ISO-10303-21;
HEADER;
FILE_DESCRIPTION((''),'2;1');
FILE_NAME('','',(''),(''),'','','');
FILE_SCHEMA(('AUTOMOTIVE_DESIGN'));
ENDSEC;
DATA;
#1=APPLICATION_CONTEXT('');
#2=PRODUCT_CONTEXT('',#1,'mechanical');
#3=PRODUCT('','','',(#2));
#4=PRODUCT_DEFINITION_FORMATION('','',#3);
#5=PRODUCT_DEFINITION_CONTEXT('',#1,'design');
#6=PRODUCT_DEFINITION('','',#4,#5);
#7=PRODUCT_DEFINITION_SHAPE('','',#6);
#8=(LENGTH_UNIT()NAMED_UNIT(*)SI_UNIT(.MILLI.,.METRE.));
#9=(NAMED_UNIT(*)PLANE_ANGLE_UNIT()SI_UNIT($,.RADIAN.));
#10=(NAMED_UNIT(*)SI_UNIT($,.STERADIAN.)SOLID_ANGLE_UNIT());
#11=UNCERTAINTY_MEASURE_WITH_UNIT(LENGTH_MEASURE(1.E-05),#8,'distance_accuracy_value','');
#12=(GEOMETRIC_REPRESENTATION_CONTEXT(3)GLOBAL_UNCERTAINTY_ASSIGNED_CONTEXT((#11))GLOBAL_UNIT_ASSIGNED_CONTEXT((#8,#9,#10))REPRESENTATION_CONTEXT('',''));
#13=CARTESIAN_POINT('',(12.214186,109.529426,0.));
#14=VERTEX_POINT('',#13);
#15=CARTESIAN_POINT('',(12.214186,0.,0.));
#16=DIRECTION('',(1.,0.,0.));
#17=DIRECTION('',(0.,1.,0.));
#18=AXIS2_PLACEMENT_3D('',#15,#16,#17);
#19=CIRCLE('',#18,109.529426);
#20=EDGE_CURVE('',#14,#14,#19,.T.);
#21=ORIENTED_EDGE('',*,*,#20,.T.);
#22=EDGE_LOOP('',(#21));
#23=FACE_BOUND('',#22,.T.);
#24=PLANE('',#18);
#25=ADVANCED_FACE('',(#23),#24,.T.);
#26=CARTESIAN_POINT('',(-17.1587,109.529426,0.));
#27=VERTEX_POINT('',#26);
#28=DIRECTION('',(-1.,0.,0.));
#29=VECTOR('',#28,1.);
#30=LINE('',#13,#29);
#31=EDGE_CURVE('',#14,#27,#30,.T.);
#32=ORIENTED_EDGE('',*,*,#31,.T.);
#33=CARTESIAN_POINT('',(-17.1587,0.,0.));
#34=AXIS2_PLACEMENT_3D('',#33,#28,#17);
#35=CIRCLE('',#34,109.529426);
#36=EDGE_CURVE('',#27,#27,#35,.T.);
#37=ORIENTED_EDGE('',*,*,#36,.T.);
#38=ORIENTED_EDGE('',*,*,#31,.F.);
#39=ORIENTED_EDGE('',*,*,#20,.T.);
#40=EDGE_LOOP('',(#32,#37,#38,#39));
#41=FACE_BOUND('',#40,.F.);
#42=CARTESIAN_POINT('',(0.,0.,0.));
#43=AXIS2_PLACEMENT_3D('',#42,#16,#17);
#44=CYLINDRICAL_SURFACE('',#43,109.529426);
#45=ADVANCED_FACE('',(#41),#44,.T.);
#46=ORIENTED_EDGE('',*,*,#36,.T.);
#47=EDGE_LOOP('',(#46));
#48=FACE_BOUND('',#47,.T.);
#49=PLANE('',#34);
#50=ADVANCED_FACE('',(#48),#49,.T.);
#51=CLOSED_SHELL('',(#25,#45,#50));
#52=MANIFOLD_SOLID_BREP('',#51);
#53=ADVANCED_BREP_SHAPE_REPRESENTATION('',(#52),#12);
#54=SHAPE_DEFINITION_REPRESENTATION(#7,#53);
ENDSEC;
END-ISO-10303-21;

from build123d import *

# Parameters (mm, degrees)
F0_R      = 109.529426
F1_DEPTH  = 12.214186
F1_FACE_R = 109.529426
F2_DEPTH  = 17.1587


with BuildPart() as f1:
    # F0 (on Right) → F1 (new body)
    with BuildSketch(Plane.YZ):
        Circle(F0_R)
    extrude(amount=F1_DEPTH)

    # F1_face (on face) → F2 (join)
    with BuildSketch(Plane(origin=(0, 0, 0), x_dir=(0, 1, 0), z_dir=(-1, 0, 0))):
        Circle(F1_FACE_R)
    extrude(amount=F2_DEPTH)


solid = f1.part
